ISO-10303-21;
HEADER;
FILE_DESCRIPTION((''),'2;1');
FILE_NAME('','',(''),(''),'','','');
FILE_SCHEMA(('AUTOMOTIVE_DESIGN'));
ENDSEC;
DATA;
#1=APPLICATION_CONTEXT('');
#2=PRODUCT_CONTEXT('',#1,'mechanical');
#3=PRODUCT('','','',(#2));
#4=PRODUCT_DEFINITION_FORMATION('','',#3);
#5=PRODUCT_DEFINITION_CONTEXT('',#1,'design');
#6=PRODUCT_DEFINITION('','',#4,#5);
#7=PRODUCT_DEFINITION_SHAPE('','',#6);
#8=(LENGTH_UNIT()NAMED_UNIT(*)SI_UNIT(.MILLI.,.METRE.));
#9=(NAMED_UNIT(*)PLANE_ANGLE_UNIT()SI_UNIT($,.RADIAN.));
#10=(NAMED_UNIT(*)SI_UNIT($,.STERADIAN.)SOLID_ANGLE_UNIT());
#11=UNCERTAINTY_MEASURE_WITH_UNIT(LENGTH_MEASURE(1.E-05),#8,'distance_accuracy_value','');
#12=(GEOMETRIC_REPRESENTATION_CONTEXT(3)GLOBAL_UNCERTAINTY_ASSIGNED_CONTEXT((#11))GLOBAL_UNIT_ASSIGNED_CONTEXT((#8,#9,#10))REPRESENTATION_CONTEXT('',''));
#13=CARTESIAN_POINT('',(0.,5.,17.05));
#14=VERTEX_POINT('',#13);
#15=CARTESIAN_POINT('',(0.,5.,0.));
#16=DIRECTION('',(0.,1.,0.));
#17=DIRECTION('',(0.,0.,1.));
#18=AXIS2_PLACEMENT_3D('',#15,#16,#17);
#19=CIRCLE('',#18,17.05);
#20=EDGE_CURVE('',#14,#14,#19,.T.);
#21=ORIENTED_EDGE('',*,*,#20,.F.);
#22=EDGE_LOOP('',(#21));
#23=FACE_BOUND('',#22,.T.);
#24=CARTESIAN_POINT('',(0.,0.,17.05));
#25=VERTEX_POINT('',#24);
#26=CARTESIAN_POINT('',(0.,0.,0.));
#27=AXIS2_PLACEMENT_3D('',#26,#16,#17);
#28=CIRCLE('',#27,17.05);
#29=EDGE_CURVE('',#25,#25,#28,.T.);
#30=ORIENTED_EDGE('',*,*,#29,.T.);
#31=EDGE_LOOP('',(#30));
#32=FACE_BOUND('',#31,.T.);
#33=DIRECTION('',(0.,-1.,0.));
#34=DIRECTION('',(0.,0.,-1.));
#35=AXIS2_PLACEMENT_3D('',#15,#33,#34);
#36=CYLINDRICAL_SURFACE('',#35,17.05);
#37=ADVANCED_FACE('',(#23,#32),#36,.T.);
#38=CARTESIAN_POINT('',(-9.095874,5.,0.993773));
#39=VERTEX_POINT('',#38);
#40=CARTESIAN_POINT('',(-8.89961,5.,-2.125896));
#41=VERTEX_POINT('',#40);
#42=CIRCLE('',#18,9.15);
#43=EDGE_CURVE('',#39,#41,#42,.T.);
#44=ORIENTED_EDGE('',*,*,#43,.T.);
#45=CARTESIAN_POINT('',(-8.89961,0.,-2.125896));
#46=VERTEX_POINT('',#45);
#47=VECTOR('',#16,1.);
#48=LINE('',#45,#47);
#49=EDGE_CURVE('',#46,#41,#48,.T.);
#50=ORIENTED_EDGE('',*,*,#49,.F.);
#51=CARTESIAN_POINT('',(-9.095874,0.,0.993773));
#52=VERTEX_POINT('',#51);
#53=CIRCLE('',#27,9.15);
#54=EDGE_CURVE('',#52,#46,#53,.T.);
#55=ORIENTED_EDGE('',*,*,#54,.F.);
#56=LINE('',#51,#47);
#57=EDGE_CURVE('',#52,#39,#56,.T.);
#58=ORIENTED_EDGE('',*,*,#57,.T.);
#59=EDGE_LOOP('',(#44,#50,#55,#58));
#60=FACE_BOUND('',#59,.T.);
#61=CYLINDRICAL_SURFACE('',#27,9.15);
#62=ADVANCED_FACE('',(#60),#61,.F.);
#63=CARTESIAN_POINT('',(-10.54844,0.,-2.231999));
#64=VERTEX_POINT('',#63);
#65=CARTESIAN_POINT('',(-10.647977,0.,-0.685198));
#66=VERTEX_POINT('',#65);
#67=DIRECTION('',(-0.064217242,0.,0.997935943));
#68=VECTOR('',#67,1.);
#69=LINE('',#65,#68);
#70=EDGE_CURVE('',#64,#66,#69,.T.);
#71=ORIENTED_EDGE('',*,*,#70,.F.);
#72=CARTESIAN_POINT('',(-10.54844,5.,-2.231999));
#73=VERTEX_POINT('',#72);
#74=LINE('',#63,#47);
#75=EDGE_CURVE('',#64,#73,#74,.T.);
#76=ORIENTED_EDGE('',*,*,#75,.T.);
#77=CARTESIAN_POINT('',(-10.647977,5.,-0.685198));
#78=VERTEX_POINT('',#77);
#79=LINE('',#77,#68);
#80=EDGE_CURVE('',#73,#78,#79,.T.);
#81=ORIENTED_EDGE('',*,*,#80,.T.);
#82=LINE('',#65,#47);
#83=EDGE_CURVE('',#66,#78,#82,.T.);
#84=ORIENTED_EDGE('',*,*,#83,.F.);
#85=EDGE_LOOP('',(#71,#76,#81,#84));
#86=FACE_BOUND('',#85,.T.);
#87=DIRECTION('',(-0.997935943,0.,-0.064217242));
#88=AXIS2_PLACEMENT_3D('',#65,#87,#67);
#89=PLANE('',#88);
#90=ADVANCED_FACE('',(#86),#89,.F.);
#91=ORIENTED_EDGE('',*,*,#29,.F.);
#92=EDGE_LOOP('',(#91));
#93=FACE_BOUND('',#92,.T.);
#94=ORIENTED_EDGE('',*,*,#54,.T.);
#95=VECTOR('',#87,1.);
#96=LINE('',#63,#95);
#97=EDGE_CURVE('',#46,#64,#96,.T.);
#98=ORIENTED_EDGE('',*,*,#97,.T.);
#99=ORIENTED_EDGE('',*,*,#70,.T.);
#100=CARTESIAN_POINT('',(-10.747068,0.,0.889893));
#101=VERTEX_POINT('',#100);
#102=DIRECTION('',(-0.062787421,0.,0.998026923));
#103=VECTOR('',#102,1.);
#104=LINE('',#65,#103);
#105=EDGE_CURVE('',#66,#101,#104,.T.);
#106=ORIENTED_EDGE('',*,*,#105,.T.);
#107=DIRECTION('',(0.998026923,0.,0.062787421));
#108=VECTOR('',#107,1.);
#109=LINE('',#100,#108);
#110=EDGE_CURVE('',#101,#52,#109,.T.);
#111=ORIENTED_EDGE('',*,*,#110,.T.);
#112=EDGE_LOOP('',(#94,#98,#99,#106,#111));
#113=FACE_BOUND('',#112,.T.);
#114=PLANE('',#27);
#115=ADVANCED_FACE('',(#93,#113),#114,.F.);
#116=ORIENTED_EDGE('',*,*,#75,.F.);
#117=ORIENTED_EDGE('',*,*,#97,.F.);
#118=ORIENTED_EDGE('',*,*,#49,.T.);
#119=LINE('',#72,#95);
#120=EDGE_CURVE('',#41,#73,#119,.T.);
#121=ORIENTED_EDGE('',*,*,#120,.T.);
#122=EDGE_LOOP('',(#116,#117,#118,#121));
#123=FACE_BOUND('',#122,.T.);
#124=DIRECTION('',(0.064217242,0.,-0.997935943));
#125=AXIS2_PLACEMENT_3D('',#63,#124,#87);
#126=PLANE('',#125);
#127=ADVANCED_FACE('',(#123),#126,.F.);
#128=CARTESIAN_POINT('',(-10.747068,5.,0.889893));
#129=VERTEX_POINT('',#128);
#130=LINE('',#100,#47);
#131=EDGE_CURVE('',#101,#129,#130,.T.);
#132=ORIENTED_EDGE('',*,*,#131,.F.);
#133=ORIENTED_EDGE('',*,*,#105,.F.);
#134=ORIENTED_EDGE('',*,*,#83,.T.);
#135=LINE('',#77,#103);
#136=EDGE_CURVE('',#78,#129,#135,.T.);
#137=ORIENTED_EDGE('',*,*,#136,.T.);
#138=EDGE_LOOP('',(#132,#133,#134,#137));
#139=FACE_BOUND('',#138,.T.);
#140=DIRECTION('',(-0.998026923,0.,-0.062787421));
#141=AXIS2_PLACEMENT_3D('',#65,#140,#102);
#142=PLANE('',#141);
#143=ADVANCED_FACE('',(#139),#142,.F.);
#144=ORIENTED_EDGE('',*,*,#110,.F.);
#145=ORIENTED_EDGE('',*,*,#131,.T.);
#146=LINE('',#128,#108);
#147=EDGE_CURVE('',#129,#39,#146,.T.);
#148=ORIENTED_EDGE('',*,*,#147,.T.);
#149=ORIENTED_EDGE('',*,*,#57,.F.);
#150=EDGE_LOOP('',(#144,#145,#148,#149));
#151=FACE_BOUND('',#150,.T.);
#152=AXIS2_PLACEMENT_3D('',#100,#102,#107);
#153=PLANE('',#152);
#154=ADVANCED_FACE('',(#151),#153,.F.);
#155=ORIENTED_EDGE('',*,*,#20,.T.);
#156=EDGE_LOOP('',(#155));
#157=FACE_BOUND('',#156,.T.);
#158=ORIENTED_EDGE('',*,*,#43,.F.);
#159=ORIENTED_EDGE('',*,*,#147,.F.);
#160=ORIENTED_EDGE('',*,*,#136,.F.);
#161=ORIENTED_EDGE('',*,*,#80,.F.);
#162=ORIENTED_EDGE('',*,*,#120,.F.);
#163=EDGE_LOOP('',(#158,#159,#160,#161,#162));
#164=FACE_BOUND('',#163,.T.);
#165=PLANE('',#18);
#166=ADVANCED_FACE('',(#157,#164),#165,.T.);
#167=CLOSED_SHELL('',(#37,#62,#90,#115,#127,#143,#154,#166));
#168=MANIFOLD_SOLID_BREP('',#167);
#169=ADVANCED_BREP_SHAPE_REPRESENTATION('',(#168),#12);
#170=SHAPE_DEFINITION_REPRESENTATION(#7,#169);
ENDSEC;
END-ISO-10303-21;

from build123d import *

# Parameters (mm, degrees)
SKETCH_1_R          = 17.05
EXTRUDE_1_DEPTH     = 5
SKETCH_2_R          = 9.15
CUT_EXTRUDE_1_DEPTH = 5
CUT_EXTRUDE_2_DEPTH = 25.625291876


with BuildPart() as part:
    # 草圖1 → 填料-伸長1 (new body)
    with BuildSketch(Plane(origin=(0, 0, 0), x_dir=(1, 0, 0), z_dir=(0, 1, 0))):
        with Locations(Location((0, 0, 0), (0, 0, 270))):
            Circle(SKETCH_1_R)
    extrude(amount=EXTRUDE_1_DEPTH)

    # 草圖2 → 除料-伸長1 (cut)
    with BuildSketch(Plane(origin=(0, 5, 0), x_dir=(1, 0, 0), z_dir=(0, 1, 0))):
        with Locations(Location((0, 0, 0), (0, 0, 270))):
            Circle(SKETCH_2_R)
    extrude(amount=-CUT_EXTRUDE_1_DEPTH, mode=Mode.SUBTRACT)

    # 草圖3 → 除料-伸長2 (cut, through all)
    with BuildSketch(Plane(origin=(0, 5, 0), x_dir=(1, 0, 0), z_dir=(0, 1, 0))):
        Polygon((-10.647976509, 0.685197974), (-10.548439784, 2.231998685), (-8.899610355, 2.125896405), (-9.095873569, -0.993772622), (-10.74706795, -0.889893424), align=None)
    extrude(amount=-CUT_EXTRUDE_2_DEPTH, mode=Mode.SUBTRACT)


solid = part.part
